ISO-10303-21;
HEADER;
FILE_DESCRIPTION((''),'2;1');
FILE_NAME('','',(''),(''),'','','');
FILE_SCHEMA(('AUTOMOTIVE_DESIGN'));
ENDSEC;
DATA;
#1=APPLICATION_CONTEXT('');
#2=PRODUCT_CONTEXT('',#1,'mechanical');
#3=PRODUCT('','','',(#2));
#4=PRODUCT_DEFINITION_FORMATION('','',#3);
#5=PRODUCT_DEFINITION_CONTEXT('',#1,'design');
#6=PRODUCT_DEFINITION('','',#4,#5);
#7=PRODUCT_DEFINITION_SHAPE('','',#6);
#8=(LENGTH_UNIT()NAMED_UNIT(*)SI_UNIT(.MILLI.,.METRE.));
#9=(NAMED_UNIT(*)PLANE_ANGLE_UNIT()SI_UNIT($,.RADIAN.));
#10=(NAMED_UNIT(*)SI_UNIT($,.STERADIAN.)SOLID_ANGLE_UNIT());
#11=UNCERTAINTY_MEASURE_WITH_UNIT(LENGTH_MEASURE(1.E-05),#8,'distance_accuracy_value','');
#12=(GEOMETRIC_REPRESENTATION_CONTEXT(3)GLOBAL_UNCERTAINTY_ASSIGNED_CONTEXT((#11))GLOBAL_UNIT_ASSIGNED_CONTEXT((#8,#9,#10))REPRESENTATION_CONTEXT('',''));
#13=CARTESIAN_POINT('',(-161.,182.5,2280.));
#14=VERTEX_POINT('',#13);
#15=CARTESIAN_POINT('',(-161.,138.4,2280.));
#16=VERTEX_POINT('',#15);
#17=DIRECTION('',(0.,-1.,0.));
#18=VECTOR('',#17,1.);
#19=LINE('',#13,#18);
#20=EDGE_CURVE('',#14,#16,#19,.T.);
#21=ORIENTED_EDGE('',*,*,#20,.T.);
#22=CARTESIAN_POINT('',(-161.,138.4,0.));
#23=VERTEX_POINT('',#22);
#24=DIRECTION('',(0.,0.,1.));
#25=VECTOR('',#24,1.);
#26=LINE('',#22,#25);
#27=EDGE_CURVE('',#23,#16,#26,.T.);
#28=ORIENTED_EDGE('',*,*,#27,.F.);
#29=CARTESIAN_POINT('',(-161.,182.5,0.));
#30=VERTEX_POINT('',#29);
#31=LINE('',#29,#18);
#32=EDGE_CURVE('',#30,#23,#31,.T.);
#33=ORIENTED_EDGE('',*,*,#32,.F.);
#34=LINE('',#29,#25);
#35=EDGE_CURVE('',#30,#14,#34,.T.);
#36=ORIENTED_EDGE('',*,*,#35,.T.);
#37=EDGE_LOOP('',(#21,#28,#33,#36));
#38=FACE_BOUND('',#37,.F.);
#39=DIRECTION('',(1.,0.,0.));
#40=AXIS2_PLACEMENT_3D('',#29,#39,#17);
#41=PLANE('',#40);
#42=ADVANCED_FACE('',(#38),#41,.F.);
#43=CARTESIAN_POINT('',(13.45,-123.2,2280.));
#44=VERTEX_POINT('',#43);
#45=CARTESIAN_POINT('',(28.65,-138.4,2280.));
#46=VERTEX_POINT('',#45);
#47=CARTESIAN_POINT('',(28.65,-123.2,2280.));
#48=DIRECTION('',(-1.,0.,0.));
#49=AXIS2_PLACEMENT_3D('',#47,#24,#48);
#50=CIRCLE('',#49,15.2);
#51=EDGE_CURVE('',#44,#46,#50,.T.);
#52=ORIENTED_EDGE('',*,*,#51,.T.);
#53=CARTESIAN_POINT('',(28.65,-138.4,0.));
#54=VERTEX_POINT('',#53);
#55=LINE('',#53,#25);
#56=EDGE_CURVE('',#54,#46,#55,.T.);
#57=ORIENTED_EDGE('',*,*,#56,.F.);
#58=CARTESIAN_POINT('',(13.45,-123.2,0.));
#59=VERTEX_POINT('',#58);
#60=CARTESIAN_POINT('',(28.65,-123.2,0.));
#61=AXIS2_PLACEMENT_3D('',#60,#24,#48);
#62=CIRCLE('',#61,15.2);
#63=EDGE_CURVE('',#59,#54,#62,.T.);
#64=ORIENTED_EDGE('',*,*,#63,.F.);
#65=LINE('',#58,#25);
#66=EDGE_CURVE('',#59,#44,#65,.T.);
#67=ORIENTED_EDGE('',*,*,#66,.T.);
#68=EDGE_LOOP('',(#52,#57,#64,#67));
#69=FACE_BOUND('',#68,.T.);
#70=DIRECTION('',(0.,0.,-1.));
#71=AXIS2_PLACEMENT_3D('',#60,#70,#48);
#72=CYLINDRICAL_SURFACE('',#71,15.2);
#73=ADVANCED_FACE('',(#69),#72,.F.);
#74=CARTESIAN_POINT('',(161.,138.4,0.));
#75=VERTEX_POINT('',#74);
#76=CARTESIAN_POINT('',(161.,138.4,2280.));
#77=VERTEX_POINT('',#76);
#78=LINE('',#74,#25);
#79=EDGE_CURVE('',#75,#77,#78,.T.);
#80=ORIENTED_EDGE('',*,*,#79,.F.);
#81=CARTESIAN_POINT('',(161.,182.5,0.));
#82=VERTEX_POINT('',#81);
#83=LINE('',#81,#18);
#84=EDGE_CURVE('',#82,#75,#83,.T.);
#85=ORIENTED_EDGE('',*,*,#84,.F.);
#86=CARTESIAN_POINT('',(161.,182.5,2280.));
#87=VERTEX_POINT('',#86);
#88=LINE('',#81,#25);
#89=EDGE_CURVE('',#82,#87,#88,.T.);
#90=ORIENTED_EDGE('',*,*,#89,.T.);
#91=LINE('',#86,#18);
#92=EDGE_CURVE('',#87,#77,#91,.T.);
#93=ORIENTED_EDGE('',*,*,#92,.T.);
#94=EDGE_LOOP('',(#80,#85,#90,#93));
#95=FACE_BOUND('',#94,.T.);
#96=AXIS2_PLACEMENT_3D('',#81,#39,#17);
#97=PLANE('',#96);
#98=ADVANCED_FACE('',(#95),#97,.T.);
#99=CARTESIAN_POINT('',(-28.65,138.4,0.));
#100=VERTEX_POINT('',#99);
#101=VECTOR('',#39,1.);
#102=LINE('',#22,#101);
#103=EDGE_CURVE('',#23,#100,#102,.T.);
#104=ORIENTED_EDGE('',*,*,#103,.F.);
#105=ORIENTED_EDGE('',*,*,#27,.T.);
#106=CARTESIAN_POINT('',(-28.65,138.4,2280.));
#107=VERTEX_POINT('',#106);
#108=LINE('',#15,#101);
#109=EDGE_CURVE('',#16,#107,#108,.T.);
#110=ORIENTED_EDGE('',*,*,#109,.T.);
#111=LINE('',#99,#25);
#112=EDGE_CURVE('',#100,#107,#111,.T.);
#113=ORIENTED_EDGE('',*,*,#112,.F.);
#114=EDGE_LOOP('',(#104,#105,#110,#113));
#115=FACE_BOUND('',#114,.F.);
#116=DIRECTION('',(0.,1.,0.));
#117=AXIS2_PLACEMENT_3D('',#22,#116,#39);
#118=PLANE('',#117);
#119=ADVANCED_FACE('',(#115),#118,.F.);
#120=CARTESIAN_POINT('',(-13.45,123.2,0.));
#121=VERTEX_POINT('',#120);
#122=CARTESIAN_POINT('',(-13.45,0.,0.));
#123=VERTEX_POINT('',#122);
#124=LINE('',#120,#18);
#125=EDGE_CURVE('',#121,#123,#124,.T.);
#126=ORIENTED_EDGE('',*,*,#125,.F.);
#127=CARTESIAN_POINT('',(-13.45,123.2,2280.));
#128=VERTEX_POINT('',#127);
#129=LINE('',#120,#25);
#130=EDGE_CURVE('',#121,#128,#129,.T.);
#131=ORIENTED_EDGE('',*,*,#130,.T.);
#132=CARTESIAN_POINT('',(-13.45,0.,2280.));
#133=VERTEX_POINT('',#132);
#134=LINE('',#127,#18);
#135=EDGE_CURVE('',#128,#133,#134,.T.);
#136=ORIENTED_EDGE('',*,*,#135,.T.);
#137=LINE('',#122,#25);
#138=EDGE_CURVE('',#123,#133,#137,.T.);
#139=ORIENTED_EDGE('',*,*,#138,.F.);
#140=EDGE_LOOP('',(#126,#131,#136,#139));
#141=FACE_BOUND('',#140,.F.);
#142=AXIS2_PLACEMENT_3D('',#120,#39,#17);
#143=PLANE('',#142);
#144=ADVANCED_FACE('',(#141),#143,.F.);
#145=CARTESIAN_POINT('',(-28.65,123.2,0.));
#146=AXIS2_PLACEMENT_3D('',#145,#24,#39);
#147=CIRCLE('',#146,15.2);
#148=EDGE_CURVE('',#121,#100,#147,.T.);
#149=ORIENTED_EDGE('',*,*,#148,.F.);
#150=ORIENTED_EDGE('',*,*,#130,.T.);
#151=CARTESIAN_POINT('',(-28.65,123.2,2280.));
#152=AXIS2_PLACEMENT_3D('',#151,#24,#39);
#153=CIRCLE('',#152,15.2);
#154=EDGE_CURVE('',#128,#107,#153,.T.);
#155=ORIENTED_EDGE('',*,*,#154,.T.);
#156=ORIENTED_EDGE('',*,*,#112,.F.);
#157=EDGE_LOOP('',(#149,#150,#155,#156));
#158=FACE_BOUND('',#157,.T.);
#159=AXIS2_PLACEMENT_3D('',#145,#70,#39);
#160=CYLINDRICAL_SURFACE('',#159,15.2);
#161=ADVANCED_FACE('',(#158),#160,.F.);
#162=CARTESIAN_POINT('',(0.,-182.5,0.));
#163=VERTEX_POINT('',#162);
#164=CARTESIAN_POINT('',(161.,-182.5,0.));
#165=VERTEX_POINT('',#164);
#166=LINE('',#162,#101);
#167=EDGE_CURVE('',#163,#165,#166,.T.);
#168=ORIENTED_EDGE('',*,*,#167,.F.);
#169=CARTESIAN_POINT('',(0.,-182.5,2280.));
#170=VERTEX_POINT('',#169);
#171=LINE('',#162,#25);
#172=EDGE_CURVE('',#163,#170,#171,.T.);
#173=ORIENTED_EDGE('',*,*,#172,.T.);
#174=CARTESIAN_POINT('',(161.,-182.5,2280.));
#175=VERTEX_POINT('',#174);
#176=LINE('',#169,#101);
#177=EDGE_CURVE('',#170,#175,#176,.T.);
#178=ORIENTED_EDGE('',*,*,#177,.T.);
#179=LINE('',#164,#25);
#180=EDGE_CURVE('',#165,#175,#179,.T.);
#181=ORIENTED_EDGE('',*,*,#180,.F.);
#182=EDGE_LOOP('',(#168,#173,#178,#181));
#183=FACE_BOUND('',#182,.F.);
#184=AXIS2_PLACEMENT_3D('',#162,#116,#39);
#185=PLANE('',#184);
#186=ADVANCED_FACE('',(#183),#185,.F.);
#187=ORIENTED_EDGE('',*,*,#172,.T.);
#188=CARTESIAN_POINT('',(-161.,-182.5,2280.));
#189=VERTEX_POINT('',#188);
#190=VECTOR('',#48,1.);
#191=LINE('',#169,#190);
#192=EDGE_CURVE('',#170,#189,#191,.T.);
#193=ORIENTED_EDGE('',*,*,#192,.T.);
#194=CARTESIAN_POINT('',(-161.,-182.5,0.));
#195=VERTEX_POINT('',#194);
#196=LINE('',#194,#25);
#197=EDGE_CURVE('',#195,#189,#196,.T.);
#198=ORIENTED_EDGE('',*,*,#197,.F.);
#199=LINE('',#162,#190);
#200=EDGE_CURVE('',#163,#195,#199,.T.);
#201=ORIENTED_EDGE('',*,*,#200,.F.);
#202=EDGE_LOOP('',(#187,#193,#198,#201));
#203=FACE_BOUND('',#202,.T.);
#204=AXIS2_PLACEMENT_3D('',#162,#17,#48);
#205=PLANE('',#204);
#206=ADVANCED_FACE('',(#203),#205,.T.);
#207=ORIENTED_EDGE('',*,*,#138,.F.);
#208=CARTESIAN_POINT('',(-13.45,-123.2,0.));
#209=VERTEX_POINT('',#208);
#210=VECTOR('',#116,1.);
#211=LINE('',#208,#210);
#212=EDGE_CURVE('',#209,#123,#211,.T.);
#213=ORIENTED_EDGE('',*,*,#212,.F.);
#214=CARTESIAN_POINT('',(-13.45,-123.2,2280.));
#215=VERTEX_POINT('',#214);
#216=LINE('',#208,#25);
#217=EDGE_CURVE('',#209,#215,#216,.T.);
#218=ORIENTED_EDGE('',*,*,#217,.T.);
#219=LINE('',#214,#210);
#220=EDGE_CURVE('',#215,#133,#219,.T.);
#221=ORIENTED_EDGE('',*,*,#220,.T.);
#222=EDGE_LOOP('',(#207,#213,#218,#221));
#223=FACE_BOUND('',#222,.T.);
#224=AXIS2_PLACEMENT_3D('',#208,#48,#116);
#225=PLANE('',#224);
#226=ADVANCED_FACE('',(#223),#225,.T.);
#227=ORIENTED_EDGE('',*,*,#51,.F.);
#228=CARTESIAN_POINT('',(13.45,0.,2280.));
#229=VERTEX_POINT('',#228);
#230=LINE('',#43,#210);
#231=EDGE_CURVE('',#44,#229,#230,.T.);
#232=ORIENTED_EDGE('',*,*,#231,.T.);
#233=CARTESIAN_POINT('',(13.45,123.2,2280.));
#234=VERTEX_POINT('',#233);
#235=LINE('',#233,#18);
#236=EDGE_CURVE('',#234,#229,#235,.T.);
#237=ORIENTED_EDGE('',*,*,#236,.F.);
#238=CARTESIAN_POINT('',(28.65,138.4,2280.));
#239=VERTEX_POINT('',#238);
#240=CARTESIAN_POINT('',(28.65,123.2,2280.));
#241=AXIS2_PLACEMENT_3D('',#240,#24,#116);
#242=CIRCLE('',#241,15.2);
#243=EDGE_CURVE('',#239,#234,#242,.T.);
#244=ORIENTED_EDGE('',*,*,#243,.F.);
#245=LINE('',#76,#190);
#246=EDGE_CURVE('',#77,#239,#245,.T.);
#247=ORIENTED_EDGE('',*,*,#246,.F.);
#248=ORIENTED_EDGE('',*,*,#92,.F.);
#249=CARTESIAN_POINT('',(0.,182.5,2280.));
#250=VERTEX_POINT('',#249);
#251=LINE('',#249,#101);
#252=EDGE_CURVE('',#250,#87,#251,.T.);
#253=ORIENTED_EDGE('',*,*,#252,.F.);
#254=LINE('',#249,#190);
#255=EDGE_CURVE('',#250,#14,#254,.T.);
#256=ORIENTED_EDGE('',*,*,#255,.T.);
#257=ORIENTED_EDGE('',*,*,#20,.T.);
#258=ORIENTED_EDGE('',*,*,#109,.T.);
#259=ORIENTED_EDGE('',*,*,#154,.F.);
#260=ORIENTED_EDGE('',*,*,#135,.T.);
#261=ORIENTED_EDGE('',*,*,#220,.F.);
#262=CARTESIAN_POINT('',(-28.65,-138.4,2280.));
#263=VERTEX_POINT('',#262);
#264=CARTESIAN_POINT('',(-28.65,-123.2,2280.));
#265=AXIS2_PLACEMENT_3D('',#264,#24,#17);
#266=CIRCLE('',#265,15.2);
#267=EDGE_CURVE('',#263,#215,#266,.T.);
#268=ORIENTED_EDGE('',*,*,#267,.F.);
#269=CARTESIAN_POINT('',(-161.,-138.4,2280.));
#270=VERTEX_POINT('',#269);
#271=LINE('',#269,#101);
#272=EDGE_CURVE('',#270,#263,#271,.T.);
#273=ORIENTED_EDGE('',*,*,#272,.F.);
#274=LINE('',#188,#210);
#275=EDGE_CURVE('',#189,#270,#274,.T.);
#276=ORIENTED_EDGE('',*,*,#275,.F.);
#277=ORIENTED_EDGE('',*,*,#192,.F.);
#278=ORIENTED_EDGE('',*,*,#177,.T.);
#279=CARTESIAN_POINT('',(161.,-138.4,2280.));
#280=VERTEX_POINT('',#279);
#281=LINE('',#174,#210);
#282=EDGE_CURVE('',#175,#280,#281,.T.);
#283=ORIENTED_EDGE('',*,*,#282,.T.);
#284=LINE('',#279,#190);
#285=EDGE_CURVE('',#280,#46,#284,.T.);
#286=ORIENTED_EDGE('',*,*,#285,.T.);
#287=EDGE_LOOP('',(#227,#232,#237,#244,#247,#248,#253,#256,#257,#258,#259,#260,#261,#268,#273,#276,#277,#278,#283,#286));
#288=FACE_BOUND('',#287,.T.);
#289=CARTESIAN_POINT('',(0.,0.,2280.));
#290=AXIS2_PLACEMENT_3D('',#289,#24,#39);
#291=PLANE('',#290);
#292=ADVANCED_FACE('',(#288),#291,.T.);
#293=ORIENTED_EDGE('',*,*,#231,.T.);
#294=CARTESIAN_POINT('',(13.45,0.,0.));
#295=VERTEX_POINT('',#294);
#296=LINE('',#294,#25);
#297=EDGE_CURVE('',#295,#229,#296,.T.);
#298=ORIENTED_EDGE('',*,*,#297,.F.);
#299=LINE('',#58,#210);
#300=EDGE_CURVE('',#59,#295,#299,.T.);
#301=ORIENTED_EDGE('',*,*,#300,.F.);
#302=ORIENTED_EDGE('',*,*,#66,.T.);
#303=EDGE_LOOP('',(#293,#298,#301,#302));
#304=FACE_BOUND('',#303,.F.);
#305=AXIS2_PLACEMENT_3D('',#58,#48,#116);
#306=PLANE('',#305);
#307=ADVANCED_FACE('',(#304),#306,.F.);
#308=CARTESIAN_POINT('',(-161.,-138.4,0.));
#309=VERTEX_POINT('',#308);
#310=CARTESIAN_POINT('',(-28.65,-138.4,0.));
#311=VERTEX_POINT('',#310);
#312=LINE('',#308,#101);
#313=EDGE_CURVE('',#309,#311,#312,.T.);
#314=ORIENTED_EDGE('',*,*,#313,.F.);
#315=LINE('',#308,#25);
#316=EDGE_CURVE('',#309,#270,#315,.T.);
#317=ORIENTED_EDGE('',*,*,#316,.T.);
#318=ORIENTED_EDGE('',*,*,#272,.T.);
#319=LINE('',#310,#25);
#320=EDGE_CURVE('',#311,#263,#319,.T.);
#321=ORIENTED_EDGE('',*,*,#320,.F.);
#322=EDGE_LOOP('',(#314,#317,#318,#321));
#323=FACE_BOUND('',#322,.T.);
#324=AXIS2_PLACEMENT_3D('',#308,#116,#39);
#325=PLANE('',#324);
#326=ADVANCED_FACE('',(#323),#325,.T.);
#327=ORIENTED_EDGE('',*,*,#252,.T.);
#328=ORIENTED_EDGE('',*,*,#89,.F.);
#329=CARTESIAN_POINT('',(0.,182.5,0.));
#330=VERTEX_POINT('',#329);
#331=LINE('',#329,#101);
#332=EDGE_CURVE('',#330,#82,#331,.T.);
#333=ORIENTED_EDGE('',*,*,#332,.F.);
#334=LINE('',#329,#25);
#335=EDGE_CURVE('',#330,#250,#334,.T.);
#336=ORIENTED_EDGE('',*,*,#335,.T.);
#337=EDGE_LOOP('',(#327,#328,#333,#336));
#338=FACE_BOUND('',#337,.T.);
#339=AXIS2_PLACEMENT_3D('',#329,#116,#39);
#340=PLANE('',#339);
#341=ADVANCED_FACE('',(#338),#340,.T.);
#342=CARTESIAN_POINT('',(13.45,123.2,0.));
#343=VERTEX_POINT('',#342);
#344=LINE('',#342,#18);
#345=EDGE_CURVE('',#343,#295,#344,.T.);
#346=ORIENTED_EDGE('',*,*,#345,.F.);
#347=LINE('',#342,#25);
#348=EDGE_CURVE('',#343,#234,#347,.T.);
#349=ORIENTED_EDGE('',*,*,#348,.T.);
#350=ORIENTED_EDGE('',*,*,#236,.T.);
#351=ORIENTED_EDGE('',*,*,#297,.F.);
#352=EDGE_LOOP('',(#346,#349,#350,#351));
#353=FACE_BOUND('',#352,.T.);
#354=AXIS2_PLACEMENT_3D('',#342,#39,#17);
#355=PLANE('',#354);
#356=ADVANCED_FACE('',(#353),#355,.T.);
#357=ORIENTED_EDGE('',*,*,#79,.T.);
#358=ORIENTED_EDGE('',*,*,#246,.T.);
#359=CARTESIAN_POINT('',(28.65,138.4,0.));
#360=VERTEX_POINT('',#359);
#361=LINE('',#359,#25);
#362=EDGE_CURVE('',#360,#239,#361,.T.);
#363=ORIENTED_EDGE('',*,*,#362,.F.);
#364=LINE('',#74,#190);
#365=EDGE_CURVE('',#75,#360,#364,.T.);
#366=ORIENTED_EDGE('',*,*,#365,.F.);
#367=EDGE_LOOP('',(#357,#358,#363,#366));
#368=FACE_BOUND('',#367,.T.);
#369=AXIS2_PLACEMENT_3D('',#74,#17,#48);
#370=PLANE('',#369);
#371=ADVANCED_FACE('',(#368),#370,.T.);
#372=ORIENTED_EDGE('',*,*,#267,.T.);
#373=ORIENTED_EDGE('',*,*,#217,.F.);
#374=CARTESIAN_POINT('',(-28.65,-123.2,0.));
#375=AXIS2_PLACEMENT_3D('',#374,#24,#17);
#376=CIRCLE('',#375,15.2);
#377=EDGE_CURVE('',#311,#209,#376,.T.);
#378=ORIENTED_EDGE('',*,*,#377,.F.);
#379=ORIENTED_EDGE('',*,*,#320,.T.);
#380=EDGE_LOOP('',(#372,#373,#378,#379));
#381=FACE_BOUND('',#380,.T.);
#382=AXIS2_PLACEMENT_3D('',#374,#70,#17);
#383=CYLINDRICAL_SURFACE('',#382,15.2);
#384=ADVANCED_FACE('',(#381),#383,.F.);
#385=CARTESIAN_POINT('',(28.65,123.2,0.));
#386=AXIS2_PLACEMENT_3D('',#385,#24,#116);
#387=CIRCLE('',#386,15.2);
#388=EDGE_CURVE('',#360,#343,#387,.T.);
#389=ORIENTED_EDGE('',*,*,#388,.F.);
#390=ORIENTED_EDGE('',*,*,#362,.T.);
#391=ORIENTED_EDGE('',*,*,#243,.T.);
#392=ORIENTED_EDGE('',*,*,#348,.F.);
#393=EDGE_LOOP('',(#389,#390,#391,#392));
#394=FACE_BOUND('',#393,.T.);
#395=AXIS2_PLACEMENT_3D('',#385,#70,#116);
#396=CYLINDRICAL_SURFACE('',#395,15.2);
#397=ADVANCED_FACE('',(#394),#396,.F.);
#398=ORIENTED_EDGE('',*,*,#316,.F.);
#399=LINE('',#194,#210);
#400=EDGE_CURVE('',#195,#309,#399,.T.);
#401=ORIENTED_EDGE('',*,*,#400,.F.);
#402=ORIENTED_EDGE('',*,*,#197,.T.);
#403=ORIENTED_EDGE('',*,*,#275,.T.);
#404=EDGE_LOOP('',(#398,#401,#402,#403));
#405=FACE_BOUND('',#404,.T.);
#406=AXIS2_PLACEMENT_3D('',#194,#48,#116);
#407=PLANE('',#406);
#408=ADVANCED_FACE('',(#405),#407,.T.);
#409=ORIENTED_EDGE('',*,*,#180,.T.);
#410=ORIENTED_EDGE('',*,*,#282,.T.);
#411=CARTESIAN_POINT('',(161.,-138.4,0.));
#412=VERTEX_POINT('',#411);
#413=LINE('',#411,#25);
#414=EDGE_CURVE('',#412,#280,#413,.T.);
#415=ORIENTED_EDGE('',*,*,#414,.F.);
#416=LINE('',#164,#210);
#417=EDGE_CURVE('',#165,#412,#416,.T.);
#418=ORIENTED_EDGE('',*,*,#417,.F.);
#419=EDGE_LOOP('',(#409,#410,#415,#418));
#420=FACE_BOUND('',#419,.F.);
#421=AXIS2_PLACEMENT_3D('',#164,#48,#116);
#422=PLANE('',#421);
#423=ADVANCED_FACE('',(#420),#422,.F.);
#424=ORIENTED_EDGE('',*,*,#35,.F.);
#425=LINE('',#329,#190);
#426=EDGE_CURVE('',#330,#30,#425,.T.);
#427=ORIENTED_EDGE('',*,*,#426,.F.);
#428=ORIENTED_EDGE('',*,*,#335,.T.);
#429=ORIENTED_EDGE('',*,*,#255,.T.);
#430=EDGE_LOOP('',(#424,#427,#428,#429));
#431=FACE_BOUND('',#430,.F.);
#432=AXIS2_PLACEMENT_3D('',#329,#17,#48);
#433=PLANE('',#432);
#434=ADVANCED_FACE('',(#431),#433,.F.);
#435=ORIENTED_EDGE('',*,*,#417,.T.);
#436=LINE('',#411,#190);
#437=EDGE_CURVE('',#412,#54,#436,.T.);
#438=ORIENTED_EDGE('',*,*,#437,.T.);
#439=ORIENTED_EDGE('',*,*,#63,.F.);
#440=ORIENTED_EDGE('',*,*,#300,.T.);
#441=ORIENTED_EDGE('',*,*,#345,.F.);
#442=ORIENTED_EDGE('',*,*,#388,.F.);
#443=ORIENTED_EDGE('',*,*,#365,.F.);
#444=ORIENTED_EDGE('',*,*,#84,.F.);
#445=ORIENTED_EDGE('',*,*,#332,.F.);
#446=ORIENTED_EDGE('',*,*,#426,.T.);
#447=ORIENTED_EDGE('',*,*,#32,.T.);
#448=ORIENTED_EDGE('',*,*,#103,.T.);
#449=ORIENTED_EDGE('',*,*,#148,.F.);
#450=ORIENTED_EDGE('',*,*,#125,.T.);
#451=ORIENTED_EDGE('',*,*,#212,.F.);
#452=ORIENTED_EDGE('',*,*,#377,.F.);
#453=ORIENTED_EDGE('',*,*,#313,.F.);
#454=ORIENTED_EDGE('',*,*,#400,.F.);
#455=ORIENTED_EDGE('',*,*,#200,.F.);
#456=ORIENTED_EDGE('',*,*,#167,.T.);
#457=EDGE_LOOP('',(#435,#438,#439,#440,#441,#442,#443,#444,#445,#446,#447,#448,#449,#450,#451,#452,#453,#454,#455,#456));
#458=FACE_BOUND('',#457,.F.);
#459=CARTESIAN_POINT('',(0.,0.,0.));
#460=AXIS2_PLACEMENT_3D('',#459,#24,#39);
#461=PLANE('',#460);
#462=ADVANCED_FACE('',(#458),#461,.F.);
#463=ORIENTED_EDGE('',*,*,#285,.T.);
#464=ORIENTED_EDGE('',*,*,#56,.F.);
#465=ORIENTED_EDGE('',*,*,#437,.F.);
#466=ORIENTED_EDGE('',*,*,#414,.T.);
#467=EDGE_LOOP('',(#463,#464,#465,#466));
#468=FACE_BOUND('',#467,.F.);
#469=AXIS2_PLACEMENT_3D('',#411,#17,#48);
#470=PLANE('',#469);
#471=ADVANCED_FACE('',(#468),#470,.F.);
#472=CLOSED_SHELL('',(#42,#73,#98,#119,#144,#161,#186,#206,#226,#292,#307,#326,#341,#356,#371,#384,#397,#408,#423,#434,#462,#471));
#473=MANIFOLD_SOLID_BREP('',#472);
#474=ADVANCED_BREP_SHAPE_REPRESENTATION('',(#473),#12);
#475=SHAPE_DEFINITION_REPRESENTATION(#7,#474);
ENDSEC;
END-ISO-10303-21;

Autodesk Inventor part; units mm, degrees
ref_plane "YZ Plane" through (0, 0, 0) normal (1, 0, 0) x (0, 1, 0)
ref_plane "Start plane" through (0, 0, 0) normal (0, 0, 1) x (1, 0, 0)
ref_plane "End plane" through (0, 0, 2280) normal (0, 0, 1) x (1, 0, 0)
sketch "Sketch" plane through (0, 0, 0) normal (0, 0, 1) x (1, 0, 0)
  line L0 (-161, -182.5) -> (-161, -138.4)
  line L1 (-161, -138.4) -> (-28.65, -138.4)
  line L2 (-13.45, -123.2) -> (-13.45, 0)
  line L3 (-13.45, 0) -> (0, 0) construction
  line L4 (0, 0) -> (0, -182.5) construction
  line L5 (0, -182.5) -> (-161, -182.5)
  line L6 (-60, 0) -> (80, 0) construction
  line L7 (0, -60) -> (0, 80) construction
  line L8 (161, -182.5) -> (161, -138.4)
  line L9 (161, -138.4) -> (28.65, -138.4)
  line L10 (13.45, -123.2) -> (13.45, 0)
  line L11 (13.45, 0) -> (0, 0) construction
  line L12 (0, -182.5) -> (161, -182.5)
  line L13 (-161, 182.5) -> (-161, 138.4)
  line L14 (-161, 138.4) -> (-28.65, 138.4)
  line L15 (-13.45, 123.2) -> (-13.45, 0)
  line L16 (0, 182.5) -> (-161, 182.5)
  line L17 (161, 182.5) -> (161, 138.4)
  line L18 (161, 138.4) -> (28.65, 138.4)
  line L19 (0, 182.5) -> (161, 182.5)
  line L20 (13.45, 123.2) -> (13.45, 0)
  arc A0 (-13.45, 123.2) -> (-28.65, 138.4) centre (-28.65, 123.2) ccw
  arc A1 (28.65, 138.4) -> (13.45, 123.2) centre (28.65, 123.2) ccw
  arc A2 (13.45, -123.2) -> (28.65, -138.4) centre (28.65, -123.2) ccw
  arc A3 (-28.65, -138.4) -> (-13.45, -123.2) centre (-28.65, -123.2) ccw
  line L21 (0, 108) -> (0, -88) construction
  line L22 (-88, 0) -> (108, 0) construction
  point P0 (-13.45, -138.4)
  point P1 (13.45, -138.4)
  point P2 (-13.45, 138.4)
  point P3 (13.45, 138.4)
  dimension "d1" = 182.5
  dimension "d2" = 44.1
  dimension "d3" = 161
  dimension "d4" = 13.45
  dimension "d10" = 15.2
extrude "Body" add sketch "Sketch" along normal up to surface (2280 mm away) from surface at 0
sketch "Sketch4" plane through (0, 0, 0) normal (0, 0, 1) x (1, 0, 0)
  line L0 (0, 0) -> (10, 0)
ref_plane "Work Plane3" through (0, 0, 0) normal (0, -1, 0) x (1, 0, 0)
sketch "Sketch5" plane through (0, 0, 0) normal (0, -1, 0) x (1, 0, 0)
  line L0 (-2, 0) -> (12, 0) projected
  line L1 (-2, 2280) -> (12, 2280) projected
  dimension "d14" = 2280
equation "\"d1\" = 0.5 * G_H"
equation "\"d2\" = G_T1"
equation "\"d3\" = 0.5 * G_W"
equation "\"d4\" = 0.5 * G_T"
equation "\"d10\" = G_IR"
equation "\"d5\" = G_L"
equation "\"G_W\" = 322"
equation "\"G_H\" = 365"
equation "\"G_T\" = 26.9"
equation "\"G_T1\" = 44.1"
equation "\"G_IR\" = 15.2"
equation "\"G_L\" = d14"
equation "\"G_OFFSET_START\" = 0"
equation "\"G_OFFSET_END\" = 0"
properties part number "AS 3679 - 310 UC - 283 - 2280" material "Steel, Mild"
